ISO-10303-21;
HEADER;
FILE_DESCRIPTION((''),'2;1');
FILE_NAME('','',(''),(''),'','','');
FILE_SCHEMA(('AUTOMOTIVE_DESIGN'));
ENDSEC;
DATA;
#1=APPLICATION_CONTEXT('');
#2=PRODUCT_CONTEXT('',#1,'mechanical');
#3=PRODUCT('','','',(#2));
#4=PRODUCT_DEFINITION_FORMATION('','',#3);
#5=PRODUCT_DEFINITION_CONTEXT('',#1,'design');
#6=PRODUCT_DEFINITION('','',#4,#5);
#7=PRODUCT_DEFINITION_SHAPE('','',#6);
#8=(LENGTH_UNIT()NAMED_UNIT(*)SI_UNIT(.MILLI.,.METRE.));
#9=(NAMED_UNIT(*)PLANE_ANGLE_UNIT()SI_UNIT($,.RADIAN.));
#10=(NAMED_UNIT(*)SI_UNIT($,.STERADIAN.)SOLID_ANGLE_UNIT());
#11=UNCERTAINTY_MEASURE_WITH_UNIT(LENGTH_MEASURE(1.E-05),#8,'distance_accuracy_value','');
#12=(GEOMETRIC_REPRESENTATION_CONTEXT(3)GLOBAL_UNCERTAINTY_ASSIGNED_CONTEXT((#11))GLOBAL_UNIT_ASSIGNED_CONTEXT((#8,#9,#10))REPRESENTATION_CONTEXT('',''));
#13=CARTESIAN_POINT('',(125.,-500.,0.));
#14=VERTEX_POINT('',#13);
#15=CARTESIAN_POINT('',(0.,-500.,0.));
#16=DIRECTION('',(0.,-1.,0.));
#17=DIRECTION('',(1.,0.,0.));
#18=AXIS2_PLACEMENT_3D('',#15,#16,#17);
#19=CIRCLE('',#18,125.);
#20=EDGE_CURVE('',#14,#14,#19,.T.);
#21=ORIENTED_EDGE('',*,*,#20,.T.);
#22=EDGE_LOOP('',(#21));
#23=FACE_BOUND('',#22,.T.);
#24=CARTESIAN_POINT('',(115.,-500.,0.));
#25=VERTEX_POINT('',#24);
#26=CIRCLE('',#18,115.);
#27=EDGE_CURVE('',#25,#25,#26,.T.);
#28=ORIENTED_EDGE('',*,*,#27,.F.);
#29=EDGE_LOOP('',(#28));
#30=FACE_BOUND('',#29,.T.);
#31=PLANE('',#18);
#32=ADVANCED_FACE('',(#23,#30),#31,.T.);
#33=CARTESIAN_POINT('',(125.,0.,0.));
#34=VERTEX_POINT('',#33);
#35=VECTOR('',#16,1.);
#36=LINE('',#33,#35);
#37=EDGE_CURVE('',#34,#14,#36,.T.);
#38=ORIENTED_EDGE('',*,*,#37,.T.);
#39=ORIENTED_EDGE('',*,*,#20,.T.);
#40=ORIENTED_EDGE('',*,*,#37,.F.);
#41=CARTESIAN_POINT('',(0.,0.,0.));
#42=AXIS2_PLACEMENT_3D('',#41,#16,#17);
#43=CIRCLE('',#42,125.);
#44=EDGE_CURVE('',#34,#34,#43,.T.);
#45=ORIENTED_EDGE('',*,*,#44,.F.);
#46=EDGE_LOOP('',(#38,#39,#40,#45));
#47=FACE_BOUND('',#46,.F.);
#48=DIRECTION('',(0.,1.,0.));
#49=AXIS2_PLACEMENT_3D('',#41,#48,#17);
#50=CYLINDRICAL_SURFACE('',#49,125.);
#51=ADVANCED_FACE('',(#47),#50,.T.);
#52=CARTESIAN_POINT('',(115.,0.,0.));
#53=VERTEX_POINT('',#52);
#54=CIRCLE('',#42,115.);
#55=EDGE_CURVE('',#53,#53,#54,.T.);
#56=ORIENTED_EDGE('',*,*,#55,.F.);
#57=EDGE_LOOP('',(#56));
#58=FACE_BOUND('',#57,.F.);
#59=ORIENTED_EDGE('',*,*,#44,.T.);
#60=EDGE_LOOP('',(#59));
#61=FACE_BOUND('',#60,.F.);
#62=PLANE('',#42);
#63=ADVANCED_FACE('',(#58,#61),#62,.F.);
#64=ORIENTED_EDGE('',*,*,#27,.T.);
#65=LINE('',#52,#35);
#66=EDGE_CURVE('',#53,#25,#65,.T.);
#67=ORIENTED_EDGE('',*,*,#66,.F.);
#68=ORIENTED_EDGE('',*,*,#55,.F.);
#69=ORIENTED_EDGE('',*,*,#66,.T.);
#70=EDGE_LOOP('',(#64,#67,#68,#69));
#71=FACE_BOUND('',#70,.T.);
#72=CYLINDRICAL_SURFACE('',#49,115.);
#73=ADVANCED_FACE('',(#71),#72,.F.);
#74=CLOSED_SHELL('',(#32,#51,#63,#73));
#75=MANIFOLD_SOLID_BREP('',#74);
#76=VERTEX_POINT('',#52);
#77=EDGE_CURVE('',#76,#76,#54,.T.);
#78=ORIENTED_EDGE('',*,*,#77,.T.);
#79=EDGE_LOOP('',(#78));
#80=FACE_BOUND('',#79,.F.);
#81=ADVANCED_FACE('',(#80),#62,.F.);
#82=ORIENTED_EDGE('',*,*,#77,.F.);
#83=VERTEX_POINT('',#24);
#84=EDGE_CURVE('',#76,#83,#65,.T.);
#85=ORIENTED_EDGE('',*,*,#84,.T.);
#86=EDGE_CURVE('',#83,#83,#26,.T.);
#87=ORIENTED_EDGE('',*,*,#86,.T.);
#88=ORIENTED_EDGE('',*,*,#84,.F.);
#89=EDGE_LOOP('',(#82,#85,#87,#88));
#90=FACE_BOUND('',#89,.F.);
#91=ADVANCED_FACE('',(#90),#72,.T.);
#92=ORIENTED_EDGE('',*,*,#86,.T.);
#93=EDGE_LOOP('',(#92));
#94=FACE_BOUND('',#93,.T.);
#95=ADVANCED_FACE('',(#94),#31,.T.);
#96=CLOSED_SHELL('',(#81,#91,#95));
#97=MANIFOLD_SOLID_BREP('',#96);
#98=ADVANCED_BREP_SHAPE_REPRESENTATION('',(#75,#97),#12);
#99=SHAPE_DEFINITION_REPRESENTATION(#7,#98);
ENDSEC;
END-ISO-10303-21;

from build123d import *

# Parameters (mm, degrees)
F0_R     = 125
F1_DEPTH = 500
F2_T     = -10
F3_R     = 115
F4_DEPTH = 500


with BuildPart() as f1:
    # F0 (on Front) → F1 (new body)
    with BuildSketch(Plane.XZ):
        Circle(F0_R)
    extrude(amount=F1_DEPTH)

    # F2
    f2_openings = [f1.faces().sort_by_distance(p)[0] for p in [
        (0, -500, 0),
        (0, 0, 0),
    ]]
    offset(amount=F2_T, openings=f2_openings)


with BuildPart() as f4:
    # F3 (on Front) → F4 (new body)
    with BuildSketch(Plane.XZ):
        Circle(F3_R)
    extrude(amount=F4_DEPTH)


solid = Compound([f1.part, f4.part])
